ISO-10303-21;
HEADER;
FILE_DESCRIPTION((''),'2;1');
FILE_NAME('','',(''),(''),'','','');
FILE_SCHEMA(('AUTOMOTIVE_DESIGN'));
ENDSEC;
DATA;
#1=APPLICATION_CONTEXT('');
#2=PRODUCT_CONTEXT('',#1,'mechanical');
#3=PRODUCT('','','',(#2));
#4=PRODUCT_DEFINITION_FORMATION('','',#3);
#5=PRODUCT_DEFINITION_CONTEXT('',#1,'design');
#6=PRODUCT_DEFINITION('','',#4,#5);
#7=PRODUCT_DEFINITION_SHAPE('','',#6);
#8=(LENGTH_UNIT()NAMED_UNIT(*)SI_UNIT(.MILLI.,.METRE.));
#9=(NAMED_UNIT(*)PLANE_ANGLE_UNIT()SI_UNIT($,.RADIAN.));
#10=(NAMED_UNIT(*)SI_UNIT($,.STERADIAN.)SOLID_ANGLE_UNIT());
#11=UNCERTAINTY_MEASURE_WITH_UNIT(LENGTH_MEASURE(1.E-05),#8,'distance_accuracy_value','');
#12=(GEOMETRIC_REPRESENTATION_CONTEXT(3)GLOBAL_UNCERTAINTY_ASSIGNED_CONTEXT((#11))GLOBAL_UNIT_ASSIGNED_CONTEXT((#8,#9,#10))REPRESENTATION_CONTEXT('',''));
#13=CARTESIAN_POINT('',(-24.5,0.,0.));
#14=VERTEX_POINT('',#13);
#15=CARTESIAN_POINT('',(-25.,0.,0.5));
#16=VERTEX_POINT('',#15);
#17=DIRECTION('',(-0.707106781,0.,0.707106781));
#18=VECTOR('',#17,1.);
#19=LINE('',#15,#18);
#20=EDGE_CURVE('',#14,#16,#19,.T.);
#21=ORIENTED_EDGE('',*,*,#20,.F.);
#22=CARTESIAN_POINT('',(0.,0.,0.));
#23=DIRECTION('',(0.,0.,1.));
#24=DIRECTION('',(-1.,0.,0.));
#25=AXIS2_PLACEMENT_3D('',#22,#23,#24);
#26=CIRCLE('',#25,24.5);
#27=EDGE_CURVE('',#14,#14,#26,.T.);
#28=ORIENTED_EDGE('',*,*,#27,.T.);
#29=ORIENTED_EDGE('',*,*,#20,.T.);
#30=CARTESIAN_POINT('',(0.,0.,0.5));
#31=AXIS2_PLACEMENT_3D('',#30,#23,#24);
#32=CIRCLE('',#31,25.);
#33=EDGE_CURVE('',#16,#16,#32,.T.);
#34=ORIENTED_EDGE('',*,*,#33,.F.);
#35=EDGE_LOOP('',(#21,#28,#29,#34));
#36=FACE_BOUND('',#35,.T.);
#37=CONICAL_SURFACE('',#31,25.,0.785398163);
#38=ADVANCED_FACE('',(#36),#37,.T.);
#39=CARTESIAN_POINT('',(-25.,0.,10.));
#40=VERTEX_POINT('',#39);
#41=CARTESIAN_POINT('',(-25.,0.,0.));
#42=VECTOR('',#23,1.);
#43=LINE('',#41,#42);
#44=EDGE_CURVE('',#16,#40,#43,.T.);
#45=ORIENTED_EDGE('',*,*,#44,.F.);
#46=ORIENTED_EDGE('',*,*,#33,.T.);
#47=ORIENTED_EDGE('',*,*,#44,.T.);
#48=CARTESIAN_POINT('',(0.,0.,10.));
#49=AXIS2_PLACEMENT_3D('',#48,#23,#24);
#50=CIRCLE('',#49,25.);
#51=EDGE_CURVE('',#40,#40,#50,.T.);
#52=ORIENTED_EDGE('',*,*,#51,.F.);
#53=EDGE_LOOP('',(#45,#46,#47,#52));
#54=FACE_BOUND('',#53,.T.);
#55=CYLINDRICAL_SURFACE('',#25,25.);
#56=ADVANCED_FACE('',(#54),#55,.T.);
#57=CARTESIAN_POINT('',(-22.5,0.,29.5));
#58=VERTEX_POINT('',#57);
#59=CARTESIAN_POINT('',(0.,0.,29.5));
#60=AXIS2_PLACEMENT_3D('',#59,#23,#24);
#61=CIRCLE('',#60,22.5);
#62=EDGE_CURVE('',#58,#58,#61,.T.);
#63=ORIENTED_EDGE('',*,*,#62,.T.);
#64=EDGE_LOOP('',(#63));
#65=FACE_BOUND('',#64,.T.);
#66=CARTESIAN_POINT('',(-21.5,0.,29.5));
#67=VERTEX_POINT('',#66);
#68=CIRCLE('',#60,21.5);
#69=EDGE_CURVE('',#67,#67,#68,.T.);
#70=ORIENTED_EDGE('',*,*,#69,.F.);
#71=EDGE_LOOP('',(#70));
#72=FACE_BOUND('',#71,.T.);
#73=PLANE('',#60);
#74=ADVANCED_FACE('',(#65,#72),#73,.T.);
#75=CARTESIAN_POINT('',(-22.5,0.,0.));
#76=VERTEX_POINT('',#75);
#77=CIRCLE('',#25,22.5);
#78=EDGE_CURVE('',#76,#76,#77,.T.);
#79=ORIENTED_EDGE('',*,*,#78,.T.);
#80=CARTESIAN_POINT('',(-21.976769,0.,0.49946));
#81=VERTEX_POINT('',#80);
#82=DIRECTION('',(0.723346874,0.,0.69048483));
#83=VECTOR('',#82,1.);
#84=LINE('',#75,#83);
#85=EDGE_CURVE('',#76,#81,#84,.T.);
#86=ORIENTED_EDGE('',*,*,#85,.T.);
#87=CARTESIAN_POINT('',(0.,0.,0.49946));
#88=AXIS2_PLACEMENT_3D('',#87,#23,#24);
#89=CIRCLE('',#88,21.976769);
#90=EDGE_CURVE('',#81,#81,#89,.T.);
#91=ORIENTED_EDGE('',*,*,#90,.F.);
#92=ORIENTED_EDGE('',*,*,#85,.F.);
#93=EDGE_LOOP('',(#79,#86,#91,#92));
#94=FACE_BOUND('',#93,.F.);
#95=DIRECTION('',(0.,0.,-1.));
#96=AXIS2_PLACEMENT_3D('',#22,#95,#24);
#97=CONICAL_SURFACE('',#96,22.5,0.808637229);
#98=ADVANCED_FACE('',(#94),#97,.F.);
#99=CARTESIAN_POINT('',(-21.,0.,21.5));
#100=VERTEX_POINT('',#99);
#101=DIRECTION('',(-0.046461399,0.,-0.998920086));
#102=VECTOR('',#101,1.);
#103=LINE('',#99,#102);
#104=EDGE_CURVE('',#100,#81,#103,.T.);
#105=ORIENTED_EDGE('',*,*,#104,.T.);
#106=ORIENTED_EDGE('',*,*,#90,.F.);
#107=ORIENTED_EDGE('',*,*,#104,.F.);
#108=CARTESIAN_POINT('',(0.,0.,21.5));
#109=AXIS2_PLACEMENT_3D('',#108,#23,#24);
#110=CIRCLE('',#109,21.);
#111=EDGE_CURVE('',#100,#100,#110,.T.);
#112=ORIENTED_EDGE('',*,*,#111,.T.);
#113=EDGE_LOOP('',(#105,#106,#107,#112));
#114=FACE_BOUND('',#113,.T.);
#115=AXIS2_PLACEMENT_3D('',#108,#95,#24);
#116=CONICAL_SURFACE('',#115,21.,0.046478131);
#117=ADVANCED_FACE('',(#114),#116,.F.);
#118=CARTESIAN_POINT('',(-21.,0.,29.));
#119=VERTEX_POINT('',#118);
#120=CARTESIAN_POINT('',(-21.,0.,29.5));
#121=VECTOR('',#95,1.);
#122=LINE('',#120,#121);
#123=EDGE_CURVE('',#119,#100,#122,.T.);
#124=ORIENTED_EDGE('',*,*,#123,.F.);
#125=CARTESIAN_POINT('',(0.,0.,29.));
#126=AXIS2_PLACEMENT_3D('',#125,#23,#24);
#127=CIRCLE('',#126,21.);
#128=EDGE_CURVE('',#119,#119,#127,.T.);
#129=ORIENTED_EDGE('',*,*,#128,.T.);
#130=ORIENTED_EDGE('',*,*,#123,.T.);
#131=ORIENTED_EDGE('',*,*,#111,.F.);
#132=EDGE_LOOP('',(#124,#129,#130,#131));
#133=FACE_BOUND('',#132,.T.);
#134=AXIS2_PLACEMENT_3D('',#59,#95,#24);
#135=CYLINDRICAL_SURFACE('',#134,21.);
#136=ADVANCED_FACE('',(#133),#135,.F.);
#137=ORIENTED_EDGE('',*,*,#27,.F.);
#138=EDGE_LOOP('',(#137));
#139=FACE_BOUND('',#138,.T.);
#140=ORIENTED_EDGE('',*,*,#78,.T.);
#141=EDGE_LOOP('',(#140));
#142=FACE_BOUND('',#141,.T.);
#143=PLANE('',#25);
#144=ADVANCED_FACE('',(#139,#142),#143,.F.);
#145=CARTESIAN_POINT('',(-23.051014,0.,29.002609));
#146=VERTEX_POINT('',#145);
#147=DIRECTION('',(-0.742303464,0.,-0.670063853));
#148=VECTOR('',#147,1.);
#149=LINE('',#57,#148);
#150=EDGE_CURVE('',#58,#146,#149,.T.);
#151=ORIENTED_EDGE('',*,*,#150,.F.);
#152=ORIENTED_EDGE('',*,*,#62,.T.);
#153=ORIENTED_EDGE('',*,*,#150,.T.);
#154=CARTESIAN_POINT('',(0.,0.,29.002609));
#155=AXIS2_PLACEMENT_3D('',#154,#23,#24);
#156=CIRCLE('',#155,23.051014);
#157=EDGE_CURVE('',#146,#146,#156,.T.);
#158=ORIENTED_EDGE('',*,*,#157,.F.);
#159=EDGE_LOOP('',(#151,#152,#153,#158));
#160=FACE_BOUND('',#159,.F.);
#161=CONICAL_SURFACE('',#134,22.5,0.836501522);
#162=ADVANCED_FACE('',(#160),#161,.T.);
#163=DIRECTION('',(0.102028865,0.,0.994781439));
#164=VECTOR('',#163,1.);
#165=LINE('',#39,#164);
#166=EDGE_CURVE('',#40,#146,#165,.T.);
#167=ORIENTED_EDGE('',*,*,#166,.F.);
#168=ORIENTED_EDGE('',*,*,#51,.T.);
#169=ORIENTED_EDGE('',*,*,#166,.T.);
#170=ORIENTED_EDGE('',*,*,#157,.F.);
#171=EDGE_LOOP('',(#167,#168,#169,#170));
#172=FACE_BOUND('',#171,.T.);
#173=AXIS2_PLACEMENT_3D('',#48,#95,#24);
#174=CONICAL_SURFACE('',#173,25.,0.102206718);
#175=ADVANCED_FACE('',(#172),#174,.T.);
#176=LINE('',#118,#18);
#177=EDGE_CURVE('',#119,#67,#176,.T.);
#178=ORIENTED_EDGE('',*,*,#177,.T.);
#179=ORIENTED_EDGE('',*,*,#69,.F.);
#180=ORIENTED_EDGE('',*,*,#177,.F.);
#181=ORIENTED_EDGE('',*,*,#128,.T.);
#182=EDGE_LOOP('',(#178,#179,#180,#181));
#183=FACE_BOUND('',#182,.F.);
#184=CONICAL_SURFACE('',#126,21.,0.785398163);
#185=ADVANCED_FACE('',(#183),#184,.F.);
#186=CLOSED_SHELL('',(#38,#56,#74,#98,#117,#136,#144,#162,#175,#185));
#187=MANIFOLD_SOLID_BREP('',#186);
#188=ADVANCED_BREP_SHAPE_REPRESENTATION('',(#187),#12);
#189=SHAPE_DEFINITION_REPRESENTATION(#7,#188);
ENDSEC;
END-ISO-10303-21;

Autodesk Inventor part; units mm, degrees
ref_plane "YZ Plane" through (0, 0, 0) normal (1, 0, 0) x (0, 1, 0)
ref_plane "XZ Plane" through (0, 0, 0) normal (0, 1, 0) x (-1, 0, 0)
ref_plane "XY Plane" through (0, 0, 0) normal (0, 0, 1) x (1, 0, 0)
sketch "Sketch1" plane through (0, 0, 0) normal (0, 1, 0) x (-1, 0, 0)
  line L0 (0, 0) -> (0, 29.5)
  line L1 (25, 0) -> (25, 10)
  line L2 (25, 10) -> (23, 29.5)
  line L3 (23, 29.5) -> (21, 29.5)
  line L4 (22, 0) -> (25, 0)
  line L5 (0, 0) -> (22, 0) construction
  line L6 (21, 29.5) -> (0, 29.5) construction
  line L7 (21, 29.5) -> (21, 21.5)
  line L8 (21, 21.5) -> (22, 0)
  dimension "d0" = 50
  dimension "d1" = 42
  dimension "d2" = 29.5
  dimension "d3" = 10
  dimension "d4" = 8
  dimension "d11" = 3
  dimension "d12" = 2
revolve "Revolution1" add sketch "Sketch1" angle 360 about axis through (0, 0, 0) along (0, 0, 1)
chamfer "Chamfer1" distance 0.5 angle 45 4 edges at (25, 0, 0) (22, 0, 0) (23, 0, 29.5) (21, 0, 29.5)
properties part number "TakumarSpacer" material "ABS Plastic"
